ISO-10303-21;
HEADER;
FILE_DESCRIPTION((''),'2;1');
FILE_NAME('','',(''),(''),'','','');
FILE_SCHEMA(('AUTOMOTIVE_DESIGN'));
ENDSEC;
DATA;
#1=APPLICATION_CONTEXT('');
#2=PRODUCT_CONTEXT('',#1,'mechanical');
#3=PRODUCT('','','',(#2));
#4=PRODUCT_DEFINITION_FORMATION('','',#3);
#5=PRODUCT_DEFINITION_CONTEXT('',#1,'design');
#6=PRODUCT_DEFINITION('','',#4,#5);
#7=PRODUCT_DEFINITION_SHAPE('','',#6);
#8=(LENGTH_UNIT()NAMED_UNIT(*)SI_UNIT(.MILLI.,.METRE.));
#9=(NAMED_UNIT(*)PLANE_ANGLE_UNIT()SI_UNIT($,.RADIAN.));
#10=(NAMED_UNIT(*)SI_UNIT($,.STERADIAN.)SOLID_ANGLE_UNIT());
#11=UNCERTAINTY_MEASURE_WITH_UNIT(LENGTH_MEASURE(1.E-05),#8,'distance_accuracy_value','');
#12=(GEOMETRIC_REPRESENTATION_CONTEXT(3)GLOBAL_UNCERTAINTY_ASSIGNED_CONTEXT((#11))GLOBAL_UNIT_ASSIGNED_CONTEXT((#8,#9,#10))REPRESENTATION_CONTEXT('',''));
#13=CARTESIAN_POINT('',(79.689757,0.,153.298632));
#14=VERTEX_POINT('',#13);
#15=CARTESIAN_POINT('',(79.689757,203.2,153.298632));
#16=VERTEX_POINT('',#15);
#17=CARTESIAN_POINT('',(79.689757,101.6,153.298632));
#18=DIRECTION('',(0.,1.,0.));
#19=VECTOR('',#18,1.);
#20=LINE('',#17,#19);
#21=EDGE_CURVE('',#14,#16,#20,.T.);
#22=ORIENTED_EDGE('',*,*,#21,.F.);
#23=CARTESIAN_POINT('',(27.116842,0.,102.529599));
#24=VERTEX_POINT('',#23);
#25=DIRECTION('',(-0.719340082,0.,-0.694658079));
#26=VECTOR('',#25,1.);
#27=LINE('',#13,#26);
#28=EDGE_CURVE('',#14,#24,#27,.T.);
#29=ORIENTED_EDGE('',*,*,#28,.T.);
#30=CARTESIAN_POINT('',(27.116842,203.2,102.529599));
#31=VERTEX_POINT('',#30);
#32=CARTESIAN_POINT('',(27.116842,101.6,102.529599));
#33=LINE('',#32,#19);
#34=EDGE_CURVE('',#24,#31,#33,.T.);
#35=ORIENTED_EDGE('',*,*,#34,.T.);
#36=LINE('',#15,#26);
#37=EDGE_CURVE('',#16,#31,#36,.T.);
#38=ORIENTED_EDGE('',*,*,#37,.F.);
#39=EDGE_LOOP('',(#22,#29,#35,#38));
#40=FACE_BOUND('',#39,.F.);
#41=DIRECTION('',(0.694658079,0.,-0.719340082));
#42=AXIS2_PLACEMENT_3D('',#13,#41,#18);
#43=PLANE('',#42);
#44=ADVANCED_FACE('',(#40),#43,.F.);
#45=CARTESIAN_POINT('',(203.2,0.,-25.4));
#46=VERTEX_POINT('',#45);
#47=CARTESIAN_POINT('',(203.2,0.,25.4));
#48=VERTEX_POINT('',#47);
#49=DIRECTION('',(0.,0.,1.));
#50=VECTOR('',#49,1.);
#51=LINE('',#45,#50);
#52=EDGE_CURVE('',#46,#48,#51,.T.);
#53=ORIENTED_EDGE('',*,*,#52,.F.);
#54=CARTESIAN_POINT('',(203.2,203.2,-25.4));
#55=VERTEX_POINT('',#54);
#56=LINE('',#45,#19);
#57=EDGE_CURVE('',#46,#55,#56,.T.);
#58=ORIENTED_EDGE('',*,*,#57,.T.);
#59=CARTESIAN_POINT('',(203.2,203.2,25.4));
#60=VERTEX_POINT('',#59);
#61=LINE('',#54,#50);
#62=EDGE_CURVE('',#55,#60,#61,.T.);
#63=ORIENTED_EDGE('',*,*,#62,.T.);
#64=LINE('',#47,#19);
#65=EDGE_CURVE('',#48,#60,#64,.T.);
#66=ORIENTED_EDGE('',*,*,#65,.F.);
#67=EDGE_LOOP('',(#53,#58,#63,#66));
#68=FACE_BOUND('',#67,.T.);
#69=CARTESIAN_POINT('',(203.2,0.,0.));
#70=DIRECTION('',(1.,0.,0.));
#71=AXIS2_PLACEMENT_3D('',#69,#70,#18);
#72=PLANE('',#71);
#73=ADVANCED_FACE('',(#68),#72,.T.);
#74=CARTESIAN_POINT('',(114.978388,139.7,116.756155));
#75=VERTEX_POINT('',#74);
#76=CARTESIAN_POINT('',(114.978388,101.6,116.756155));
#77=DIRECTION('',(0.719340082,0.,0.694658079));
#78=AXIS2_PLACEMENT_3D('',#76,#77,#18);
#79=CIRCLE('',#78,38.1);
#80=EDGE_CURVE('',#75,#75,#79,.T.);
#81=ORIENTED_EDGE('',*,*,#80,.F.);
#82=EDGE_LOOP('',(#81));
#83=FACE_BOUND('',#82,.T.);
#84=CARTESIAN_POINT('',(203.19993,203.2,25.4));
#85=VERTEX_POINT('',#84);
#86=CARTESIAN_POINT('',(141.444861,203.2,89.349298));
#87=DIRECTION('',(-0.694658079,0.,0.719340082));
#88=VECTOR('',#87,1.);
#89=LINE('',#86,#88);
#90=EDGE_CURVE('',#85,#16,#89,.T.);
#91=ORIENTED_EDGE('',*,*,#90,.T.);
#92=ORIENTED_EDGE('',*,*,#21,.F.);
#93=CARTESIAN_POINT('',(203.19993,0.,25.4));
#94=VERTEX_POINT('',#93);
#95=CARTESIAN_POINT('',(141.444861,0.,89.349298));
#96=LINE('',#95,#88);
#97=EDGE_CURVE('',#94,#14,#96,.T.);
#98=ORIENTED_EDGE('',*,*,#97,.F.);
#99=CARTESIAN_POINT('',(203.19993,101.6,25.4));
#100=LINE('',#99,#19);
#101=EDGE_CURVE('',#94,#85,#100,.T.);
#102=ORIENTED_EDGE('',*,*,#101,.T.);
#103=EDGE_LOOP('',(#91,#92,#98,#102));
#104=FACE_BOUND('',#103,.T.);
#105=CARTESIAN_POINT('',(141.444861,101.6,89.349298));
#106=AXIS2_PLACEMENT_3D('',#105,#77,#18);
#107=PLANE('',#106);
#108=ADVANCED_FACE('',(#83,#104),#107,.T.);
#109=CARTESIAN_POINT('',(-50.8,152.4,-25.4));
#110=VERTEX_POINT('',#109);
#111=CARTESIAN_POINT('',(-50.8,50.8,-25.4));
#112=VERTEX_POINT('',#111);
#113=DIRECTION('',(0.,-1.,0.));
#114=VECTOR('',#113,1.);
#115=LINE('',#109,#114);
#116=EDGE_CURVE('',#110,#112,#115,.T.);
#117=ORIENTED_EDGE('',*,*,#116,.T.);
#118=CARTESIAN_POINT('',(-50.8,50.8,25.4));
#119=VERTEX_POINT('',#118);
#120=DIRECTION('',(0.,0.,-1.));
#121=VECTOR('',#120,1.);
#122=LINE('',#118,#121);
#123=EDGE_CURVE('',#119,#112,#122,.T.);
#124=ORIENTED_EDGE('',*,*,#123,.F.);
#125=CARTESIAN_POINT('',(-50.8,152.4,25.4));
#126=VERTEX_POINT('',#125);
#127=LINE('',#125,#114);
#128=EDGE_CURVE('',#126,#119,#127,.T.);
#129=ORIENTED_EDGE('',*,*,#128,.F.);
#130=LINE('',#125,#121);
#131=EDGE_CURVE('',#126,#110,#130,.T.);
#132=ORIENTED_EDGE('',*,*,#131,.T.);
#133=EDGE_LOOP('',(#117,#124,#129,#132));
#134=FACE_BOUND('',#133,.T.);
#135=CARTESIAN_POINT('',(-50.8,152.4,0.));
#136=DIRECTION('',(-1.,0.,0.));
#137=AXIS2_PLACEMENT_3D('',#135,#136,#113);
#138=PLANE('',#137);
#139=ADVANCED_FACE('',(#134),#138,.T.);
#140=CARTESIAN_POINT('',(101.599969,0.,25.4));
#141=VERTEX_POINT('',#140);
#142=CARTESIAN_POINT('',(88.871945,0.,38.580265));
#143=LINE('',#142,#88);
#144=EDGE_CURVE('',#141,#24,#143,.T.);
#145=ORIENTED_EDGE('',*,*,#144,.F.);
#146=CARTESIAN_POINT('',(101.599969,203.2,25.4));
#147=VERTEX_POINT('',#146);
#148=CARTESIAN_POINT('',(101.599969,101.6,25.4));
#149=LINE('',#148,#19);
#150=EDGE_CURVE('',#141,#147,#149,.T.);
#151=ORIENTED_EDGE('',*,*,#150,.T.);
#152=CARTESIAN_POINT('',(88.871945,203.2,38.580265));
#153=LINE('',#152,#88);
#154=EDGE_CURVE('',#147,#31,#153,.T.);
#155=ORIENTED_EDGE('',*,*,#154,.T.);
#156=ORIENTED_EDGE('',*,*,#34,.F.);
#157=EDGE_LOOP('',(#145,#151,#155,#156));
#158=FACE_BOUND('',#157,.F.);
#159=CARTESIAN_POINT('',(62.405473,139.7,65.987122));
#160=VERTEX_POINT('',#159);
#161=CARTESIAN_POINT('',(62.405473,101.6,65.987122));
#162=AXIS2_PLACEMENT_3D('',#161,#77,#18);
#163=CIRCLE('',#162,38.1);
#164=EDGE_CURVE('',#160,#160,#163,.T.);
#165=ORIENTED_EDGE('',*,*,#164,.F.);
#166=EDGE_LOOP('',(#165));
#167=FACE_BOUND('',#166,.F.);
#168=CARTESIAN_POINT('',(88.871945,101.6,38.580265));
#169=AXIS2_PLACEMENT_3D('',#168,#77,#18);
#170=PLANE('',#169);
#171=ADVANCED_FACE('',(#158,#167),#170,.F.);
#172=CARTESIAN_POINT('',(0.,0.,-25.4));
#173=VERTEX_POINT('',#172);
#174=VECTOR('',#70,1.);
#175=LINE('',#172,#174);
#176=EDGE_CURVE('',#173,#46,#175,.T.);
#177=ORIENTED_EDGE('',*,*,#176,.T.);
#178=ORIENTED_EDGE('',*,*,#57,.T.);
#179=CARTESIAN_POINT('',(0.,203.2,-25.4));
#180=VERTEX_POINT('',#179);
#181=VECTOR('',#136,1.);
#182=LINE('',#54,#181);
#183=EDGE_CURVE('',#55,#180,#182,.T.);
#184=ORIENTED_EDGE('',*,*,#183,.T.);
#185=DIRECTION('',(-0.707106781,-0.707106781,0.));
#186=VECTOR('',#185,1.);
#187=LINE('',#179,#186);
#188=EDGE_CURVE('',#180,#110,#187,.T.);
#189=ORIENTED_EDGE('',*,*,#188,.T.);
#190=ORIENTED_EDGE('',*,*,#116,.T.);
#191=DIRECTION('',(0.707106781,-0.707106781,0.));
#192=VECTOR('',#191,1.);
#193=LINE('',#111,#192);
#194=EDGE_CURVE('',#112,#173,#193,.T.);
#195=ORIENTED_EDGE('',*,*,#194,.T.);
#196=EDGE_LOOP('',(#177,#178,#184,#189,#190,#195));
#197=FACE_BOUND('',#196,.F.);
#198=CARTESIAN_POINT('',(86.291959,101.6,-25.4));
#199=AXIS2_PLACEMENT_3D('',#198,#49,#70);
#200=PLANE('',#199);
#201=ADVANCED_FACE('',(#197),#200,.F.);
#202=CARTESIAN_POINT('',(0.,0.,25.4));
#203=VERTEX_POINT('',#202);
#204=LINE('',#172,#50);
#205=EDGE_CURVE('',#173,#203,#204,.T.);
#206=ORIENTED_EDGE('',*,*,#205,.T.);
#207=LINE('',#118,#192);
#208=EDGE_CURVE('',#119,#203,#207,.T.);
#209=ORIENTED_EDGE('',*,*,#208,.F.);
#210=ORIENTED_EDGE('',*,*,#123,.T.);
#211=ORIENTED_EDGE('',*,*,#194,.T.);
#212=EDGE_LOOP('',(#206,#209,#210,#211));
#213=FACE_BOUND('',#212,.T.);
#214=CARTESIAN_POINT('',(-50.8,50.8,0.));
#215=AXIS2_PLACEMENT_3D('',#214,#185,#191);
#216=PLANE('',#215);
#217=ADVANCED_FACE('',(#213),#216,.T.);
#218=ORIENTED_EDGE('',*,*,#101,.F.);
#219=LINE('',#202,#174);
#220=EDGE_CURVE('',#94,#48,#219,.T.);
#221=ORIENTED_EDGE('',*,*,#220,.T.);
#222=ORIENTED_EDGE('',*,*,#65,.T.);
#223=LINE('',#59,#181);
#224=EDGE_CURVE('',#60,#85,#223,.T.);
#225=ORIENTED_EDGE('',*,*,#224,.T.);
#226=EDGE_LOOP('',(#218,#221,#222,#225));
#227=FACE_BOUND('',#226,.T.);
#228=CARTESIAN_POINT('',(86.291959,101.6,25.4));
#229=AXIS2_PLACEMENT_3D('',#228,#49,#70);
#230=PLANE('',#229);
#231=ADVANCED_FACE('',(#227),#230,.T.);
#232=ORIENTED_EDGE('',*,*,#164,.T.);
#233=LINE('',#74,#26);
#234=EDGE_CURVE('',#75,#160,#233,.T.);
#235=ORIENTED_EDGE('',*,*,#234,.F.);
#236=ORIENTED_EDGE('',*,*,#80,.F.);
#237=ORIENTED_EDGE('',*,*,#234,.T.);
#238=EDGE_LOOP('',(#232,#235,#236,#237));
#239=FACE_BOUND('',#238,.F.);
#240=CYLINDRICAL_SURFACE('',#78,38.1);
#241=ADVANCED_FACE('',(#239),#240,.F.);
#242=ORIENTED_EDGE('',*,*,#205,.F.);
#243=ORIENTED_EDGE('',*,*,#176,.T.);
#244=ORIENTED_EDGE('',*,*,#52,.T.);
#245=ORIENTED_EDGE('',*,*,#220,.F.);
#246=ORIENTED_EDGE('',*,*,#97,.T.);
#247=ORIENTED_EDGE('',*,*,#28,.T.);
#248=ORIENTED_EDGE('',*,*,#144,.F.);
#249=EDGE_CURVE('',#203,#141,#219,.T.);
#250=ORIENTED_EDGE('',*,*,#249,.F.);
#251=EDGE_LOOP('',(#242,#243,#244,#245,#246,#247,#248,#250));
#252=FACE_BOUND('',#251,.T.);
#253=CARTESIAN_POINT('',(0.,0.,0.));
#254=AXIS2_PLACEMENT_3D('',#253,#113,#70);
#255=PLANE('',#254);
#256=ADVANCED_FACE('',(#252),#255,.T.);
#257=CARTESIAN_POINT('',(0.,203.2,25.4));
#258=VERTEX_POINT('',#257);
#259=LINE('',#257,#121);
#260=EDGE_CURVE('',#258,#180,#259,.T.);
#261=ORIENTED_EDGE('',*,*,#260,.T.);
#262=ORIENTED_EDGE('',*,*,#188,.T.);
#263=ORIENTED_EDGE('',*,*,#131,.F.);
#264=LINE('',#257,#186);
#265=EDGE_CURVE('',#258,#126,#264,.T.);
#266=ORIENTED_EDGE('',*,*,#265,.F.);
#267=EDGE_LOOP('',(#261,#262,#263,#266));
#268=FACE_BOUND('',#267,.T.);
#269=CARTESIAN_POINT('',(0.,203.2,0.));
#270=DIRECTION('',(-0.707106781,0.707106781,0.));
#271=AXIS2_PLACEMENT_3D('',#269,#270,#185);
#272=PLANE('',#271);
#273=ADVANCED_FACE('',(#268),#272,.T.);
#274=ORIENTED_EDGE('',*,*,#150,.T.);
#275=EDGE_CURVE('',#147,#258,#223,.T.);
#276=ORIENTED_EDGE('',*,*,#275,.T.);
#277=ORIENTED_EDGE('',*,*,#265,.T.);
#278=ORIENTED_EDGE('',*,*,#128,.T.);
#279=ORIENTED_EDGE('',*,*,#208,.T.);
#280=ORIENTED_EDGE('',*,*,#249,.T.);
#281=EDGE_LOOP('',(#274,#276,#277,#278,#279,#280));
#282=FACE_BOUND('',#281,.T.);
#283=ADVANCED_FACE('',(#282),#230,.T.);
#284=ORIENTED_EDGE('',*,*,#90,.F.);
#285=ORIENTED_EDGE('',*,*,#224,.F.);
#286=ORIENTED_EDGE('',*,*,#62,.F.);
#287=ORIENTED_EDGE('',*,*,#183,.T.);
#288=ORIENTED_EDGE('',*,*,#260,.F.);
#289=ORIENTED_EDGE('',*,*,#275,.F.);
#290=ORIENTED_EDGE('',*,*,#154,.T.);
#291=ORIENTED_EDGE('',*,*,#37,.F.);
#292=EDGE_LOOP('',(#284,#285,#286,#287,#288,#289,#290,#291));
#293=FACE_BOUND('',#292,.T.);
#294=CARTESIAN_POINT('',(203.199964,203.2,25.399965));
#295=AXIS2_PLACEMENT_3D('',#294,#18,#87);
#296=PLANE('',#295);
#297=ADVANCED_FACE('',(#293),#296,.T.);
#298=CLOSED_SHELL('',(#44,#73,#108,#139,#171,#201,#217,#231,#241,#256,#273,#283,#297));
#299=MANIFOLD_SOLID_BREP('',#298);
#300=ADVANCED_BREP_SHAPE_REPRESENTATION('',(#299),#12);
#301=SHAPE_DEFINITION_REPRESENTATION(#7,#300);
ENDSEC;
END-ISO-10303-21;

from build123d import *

# Parameters (mm, degrees)
F1_DEPTH = 25.4
F3_W     = 203.2
F3_H     = 177.8
F3_R     = 38.1
F5_DEPTH = 73.084924


with BuildPart() as f1:
    # F0 (on Top) → F1 (new body, symmetric)
    with BuildSketch(Plane.XY):
        Polygon((-50.8, 50.8), (0, 0), (203.2, 0), (203.2, 203.2), (0, 203.2), (-50.8, 152.4), align=None)
    extrude(amount=F1_DEPTH, both=True)

    # F3 (on face) → F5 (join, through all)
    with BuildSketch(Plane(origin=(117.838052, 0, 113.794884), x_dir=(0, 1, 0), z_dir=(0.71934, 0, 0.694658))):
        with Locations((101.6, -33.98335)):
            Rectangle(F3_W, F3_H)
        with Locations((101.6, 4.11665)):
            Circle(F3_R, mode=Mode.SUBTRACT)
    extrude(amount=-F5_DEPTH)


solid = f1.part
